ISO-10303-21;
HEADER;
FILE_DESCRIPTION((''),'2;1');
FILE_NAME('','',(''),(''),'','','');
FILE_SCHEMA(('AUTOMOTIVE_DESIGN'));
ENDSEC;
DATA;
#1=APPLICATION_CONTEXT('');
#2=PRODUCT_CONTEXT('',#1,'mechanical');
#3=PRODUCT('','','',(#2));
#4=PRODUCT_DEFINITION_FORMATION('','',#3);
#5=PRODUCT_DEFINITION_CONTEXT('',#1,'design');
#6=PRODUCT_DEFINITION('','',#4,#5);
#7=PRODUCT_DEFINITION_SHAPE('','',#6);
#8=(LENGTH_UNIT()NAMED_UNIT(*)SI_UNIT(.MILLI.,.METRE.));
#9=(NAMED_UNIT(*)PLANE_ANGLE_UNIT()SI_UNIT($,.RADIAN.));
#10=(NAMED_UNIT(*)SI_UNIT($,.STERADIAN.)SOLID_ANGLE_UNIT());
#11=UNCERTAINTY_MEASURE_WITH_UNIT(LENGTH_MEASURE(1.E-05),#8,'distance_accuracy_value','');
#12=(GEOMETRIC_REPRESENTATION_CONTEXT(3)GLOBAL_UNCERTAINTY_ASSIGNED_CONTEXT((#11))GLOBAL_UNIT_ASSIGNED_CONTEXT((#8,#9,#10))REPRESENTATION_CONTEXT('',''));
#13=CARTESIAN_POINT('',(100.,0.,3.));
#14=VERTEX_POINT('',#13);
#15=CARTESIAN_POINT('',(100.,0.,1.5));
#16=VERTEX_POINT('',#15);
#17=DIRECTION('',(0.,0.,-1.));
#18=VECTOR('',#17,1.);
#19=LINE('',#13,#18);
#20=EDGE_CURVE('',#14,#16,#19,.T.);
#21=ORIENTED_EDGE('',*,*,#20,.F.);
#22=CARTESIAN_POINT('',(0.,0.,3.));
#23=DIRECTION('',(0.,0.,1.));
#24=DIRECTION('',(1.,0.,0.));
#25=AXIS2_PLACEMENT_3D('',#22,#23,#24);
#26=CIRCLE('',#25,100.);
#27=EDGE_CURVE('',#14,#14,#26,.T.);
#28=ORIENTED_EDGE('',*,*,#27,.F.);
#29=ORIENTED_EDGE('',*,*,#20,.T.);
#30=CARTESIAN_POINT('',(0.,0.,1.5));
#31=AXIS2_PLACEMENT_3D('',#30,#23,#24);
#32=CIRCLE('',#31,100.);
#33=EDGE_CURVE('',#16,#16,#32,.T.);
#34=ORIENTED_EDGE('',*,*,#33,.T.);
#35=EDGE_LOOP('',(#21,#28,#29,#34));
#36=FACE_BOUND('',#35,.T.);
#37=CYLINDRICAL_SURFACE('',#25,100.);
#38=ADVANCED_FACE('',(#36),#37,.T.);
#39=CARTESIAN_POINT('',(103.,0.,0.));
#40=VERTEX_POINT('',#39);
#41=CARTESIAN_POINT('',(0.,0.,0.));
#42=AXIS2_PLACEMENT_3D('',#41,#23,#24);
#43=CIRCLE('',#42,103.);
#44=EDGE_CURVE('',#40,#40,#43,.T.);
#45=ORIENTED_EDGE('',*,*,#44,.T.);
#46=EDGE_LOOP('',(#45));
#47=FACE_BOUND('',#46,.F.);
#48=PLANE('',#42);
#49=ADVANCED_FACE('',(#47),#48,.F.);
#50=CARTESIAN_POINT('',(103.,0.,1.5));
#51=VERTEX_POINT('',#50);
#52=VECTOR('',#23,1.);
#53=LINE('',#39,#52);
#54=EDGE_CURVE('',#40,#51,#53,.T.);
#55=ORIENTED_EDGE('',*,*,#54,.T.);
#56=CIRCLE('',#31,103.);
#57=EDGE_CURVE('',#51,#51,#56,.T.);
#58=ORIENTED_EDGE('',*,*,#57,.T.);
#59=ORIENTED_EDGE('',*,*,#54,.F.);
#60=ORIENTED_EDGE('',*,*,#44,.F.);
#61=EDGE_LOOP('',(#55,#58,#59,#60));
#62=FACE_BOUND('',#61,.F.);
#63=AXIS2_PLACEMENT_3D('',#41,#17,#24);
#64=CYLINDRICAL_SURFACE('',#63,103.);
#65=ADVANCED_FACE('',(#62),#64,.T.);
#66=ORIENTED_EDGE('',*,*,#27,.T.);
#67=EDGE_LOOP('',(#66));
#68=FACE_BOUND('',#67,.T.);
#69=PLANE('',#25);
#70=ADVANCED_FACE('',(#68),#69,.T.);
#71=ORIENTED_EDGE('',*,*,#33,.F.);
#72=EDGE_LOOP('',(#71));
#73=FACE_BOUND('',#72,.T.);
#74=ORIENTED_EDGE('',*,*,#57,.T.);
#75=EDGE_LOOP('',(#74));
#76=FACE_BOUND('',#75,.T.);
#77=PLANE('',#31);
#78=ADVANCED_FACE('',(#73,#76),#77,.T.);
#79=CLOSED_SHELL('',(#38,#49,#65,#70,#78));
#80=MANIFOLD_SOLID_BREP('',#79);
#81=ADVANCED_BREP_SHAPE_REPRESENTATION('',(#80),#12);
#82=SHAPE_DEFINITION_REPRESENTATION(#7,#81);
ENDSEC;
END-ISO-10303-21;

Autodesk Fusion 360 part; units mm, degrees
sketch "Skizze1" plane through (0, 0, 0) normal (0, 0, 1) x (1, 0, 0)
  circle A0 centre (0, 0) radius 103
  dimension "d1" = 206
extrude "Extrusion1" add sketch "Skizze1" along normal blind 3
sketch "Skizze2" plane through (0, 0, 3) normal (0, 0, 1) x (1, 0, 0)
  circle A0 centre (0, 0) radius 103
  circle A1 centre (0, 0) radius 100
  dimension "d7" = 3
extrude "Extrusion2" cut sketch "Skizze2" against normal blind 1.5
